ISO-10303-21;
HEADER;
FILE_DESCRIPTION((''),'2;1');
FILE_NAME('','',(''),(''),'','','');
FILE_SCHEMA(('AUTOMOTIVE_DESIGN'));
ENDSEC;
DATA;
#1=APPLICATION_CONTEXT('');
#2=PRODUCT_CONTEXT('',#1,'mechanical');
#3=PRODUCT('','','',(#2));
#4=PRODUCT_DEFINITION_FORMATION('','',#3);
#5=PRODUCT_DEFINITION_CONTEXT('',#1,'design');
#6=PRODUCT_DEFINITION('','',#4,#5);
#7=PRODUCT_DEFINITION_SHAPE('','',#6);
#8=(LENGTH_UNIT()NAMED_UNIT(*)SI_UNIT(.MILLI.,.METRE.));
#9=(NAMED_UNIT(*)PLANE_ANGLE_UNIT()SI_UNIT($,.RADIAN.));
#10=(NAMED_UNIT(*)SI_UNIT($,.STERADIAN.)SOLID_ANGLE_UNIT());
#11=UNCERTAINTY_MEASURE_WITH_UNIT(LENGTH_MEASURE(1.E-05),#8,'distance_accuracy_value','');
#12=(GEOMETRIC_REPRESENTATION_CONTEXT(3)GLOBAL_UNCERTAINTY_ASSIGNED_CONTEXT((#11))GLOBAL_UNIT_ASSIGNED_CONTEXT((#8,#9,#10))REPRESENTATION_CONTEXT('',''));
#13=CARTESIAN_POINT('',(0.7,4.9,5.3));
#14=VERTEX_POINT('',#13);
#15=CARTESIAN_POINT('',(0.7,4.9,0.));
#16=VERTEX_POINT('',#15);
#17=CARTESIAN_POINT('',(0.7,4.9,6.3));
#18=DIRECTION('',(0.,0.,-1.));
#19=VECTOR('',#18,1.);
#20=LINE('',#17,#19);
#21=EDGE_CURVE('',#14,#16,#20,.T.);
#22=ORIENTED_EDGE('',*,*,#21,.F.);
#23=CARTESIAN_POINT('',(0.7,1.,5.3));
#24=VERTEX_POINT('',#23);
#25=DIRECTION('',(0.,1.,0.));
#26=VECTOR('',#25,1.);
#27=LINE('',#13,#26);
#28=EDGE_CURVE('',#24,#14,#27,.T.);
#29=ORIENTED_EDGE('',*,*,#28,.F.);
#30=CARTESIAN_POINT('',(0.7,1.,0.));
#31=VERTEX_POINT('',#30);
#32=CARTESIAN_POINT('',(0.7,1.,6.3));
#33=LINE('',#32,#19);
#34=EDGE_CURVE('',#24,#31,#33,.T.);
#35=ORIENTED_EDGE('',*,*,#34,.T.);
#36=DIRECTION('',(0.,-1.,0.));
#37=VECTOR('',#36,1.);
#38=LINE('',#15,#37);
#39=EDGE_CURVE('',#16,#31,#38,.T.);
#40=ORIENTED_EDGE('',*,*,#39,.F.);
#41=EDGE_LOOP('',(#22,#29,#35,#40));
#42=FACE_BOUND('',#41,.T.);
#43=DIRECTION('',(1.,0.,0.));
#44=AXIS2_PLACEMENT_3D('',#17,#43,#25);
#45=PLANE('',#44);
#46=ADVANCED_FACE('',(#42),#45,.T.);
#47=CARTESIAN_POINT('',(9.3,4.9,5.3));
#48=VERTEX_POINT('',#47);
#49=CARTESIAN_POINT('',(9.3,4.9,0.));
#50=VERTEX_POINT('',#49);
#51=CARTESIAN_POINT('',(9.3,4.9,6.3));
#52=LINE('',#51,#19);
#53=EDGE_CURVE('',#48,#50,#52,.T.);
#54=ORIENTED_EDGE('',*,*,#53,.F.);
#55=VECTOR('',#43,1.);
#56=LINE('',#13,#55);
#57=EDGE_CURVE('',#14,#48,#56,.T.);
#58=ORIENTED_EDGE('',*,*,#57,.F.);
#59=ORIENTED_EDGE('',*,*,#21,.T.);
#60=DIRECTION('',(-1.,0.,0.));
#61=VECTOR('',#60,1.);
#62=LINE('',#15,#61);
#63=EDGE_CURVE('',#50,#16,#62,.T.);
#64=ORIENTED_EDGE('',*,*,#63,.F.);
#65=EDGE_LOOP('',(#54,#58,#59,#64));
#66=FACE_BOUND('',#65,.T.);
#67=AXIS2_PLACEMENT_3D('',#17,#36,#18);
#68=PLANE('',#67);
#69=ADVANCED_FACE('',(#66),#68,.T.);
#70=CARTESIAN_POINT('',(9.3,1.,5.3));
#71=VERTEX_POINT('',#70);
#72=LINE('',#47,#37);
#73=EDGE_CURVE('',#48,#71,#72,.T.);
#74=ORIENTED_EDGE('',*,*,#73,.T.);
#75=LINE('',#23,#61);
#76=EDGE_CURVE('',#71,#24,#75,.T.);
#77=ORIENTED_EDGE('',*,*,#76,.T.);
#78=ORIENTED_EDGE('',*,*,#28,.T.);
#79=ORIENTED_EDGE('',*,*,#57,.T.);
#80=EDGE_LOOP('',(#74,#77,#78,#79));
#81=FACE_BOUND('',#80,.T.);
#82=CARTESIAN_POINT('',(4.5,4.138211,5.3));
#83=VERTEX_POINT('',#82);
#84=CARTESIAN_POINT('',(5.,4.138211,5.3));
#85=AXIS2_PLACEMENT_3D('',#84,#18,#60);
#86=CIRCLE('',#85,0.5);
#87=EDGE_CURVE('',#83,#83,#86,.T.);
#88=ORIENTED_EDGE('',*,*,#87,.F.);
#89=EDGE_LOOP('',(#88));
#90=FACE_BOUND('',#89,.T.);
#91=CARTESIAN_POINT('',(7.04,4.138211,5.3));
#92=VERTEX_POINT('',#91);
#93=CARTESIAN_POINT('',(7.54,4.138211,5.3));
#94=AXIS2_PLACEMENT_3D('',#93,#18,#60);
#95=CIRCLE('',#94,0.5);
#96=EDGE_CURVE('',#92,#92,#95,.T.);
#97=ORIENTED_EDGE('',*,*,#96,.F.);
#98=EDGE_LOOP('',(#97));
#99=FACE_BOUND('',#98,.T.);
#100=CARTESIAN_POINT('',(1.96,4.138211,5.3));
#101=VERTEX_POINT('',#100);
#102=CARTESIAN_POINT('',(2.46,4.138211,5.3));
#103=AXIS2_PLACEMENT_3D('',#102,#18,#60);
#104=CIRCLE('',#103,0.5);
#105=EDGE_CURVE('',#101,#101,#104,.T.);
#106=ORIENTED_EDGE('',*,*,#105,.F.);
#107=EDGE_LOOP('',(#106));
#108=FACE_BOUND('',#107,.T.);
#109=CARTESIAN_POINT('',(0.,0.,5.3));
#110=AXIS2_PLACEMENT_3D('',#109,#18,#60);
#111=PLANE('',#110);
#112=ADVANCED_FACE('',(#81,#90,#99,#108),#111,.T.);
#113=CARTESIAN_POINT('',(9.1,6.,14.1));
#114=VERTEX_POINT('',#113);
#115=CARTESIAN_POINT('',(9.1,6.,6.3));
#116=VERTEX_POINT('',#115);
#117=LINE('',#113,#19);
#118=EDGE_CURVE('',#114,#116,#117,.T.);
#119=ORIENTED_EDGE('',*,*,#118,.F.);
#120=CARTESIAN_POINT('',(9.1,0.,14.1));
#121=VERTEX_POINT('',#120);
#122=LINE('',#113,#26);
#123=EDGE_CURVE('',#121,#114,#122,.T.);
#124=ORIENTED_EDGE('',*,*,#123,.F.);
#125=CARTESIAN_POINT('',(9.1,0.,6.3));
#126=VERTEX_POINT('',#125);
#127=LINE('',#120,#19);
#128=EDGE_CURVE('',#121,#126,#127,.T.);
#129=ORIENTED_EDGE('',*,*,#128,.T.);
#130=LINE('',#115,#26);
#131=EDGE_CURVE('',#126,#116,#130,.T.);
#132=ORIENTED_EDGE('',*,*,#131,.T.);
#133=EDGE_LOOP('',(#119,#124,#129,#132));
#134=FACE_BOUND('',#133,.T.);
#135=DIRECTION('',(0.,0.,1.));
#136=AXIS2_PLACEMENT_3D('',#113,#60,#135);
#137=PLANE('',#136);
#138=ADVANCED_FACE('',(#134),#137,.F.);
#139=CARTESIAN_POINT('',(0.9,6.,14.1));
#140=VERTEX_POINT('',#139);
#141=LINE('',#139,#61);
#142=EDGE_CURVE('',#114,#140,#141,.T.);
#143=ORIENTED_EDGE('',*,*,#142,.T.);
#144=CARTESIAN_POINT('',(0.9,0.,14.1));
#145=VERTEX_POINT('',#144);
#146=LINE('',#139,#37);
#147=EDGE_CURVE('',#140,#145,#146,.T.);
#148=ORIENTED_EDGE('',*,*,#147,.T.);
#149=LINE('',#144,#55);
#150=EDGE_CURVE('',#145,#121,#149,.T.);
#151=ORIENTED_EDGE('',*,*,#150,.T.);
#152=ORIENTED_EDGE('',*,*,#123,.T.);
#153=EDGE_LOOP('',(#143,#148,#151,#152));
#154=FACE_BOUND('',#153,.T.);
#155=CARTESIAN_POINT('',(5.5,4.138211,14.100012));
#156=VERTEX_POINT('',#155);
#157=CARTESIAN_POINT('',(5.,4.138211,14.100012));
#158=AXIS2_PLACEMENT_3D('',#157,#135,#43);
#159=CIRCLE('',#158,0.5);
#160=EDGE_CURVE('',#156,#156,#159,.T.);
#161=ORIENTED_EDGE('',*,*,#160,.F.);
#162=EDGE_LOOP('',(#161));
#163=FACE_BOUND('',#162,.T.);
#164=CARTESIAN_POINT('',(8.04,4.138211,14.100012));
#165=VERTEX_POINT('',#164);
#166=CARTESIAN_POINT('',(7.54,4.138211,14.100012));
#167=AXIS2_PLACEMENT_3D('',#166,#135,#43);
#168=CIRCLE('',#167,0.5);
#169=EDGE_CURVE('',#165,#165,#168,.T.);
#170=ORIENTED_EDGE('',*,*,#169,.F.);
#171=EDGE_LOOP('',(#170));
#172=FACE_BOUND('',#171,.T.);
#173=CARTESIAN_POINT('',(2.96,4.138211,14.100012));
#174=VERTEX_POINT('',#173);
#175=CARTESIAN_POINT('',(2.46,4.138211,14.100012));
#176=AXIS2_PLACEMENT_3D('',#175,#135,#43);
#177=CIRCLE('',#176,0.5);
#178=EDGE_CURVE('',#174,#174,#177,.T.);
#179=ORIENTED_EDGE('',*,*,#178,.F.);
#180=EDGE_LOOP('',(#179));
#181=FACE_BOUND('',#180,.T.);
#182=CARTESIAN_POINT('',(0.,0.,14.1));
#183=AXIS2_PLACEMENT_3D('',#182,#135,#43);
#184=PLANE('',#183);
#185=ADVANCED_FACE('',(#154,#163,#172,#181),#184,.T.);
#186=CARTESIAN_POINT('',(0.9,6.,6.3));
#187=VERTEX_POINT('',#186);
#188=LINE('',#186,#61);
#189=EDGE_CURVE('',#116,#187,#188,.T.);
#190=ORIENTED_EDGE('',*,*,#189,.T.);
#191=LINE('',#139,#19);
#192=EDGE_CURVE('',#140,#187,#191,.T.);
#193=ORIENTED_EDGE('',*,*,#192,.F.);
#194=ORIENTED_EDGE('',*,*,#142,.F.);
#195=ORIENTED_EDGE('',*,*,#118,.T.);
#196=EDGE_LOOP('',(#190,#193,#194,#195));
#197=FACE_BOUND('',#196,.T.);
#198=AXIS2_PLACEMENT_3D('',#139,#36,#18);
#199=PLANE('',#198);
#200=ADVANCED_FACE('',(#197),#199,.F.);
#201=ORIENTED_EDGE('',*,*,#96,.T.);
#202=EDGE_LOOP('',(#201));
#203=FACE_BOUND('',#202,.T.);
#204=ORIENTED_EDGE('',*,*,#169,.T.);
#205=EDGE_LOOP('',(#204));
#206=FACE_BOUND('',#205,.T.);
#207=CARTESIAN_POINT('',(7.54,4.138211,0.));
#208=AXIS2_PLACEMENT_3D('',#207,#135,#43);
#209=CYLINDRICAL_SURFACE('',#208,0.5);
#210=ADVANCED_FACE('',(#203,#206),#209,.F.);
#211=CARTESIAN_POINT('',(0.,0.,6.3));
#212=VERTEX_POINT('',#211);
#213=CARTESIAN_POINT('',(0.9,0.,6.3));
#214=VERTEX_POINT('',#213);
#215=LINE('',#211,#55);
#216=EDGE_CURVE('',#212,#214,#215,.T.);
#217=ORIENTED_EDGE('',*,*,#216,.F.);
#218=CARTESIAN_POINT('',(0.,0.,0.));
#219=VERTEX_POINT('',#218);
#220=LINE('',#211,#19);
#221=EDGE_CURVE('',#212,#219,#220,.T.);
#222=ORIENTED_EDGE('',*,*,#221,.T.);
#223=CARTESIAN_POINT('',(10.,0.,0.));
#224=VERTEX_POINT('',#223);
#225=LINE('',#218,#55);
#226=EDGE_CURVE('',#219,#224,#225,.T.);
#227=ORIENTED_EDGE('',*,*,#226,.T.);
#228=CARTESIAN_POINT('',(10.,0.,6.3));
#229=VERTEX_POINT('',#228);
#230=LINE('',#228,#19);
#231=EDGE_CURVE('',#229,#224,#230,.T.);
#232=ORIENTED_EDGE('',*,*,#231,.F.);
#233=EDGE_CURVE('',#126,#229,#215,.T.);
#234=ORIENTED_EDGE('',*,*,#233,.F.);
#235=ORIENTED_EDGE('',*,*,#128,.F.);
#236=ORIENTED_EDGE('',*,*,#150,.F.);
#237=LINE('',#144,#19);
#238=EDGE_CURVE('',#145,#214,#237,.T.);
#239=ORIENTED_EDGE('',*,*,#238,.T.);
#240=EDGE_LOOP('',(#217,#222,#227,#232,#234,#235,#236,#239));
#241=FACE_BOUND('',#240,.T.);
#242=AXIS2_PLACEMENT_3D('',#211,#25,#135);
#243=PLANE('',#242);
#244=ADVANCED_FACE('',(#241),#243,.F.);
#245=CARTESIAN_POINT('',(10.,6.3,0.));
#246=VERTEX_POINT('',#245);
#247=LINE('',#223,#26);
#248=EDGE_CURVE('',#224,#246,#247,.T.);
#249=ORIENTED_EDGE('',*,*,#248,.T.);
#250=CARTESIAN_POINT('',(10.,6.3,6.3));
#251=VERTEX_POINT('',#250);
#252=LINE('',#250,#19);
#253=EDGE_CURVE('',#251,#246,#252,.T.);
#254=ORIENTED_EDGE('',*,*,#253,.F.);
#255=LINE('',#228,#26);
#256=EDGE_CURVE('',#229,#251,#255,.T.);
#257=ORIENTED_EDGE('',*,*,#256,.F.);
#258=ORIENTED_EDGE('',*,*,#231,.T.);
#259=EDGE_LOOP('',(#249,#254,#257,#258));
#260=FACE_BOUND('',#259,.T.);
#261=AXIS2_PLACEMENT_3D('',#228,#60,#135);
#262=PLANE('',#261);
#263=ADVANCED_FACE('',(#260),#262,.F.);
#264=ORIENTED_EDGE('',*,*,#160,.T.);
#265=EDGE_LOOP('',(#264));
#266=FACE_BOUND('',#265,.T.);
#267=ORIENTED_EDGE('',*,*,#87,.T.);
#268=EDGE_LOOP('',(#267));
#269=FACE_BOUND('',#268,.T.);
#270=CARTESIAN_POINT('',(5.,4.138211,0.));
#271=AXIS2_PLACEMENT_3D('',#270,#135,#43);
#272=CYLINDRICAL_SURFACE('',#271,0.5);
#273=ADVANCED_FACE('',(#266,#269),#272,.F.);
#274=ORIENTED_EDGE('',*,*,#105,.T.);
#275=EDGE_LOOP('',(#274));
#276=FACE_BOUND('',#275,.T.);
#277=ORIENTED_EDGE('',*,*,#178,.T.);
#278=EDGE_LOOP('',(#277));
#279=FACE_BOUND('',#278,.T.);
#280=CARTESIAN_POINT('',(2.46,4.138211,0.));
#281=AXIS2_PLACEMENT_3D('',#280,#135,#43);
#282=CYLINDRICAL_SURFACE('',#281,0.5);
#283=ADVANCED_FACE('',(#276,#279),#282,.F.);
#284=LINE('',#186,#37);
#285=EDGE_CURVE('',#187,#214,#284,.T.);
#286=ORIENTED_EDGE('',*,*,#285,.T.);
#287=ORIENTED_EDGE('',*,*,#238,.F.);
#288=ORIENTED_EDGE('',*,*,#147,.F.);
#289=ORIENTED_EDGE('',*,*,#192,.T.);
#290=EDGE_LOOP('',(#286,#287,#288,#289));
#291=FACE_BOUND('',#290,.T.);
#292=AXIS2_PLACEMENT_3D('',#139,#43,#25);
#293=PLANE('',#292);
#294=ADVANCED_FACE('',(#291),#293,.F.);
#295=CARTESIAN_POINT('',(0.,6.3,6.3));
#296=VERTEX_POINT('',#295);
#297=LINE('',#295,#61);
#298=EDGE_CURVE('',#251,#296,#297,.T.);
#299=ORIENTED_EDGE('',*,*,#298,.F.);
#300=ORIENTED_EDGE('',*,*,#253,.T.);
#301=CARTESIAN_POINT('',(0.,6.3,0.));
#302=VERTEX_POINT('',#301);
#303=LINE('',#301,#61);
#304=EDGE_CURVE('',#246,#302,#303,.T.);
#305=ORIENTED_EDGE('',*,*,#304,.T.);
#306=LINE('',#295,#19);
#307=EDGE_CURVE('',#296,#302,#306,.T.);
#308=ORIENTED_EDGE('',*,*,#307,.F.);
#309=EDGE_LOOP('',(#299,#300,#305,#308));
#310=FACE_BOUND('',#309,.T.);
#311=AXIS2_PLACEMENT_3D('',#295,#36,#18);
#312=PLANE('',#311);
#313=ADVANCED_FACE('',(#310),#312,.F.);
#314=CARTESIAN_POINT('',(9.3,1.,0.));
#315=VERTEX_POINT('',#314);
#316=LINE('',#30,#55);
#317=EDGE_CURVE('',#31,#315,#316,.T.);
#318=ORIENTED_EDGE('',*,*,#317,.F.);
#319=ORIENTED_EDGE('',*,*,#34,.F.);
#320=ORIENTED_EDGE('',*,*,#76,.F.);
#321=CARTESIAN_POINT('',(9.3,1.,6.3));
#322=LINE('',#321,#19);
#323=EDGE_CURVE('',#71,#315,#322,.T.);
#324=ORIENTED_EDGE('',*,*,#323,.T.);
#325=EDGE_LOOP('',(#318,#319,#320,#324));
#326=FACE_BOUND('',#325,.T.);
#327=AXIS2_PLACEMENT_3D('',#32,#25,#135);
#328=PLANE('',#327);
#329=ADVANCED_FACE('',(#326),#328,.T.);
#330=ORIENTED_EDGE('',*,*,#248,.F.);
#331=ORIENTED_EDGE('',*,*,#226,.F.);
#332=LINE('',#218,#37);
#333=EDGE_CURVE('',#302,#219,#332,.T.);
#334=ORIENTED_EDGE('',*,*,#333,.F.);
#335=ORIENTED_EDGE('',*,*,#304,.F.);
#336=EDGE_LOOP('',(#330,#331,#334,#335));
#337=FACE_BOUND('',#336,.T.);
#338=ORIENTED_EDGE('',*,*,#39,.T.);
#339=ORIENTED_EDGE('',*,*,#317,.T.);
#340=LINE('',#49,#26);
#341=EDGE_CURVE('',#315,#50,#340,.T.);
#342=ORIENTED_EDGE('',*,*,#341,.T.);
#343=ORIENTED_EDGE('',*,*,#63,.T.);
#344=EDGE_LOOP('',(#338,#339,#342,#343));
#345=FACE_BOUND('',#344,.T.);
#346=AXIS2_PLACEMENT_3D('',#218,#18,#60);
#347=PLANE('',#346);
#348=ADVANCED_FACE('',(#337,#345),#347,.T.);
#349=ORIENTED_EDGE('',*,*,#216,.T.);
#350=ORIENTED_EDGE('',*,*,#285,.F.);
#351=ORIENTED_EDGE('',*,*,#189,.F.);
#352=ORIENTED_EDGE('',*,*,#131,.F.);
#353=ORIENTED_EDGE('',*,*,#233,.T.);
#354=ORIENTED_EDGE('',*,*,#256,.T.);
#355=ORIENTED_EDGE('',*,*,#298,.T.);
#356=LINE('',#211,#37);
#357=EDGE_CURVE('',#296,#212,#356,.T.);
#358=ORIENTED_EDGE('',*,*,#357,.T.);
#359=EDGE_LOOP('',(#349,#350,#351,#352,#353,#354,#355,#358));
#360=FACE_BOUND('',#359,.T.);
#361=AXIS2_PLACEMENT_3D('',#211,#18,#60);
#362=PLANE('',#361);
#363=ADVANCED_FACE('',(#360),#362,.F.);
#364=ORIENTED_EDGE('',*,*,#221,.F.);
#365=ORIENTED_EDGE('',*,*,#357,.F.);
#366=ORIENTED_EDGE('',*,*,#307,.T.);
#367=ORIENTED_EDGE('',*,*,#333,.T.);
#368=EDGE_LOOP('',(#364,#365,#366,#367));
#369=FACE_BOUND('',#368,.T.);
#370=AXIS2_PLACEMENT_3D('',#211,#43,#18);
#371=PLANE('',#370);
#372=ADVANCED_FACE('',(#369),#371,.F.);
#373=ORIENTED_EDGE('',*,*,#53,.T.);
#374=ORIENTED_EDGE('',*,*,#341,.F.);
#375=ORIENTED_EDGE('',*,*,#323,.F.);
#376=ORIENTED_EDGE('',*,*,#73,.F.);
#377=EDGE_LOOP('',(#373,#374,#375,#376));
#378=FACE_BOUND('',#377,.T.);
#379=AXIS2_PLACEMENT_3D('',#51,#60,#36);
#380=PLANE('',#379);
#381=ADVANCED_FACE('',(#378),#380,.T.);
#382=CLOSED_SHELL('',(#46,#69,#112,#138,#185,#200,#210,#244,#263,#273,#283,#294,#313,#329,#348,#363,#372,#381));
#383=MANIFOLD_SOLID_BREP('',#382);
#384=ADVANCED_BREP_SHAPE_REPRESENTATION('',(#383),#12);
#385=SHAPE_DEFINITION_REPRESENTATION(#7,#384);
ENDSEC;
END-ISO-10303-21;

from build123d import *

# Parameters (mm, degrees)
SKETCH_1_W               = 10
SKETCH_1_H               = 6.3
SKETCH_1_W_2             = 8.6
SKETCH_1_H_2             = 3.9
EXTRUDE_1_DEPTH          = 6.3
SKETCH_2_W               = 8.2
SKETCH_2_H               = 6
EXTRUDE_2_DEPTH          = 7.8
SKETCH_3_W               = 10
SKETCH_3_H               = 6.3
EXTRUDE_3_DEPTH          = 1
CUT_EXTRUDE_1_DEPTH      = 19.398369493
CUT_EXTRUDE_1_DEPTH_BACK = 19.398369493
SKETCH_4_R               = 0.5


with BuildPart() as part:
    # 草图1 → 凸台-拉伸1 (new body)
    with BuildSketch(Plane.XY):
        with Locations((5, 3.15)):
            Rectangle(SKETCH_1_W, SKETCH_1_H)
        with Locations((5, 2.95)):
            Rectangle(SKETCH_1_W_2, SKETCH_1_H_2, mode=Mode.SUBTRACT)
    extrude(amount=EXTRUDE_1_DEPTH)

    # 草图2 → 凸台-拉伸2 (add)
    with BuildSketch(Plane.XY.offset(6.3)):
        with Locations((5, 3)):
            Rectangle(SKETCH_2_W, SKETCH_2_H)
    extrude(amount=EXTRUDE_2_DEPTH)

    # 草图3 → 凸台-拉伸3 (add)
    with BuildSketch(Plane(origin=(0, 0, 6.3), x_dir=(-1, 0, 0), z_dir=(0, 0, -1))):
        with Locations((-5, 3.15)):
            Rectangle(SKETCH_3_W, SKETCH_3_H)
    extrude(amount=EXTRUDE_3_DEPTH)

    # 草图4 → 切除-拉伸1 (cut, two sides: drawn at the far end of the back side and taken through both)
    with BuildSketch(Plane.XY.offset(14.1).offset(-CUT_EXTRUDE_1_DEPTH_BACK)):
        with Locations((2.46, 4.138210579)):
            Circle(SKETCH_4_R)
        with Locations((5, 4.138210579)):
            Circle(SKETCH_4_R)
        with Locations((7.54, 4.138210579)):
            Circle(SKETCH_4_R)
    extrude(amount=CUT_EXTRUDE_1_DEPTH + CUT_EXTRUDE_1_DEPTH_BACK, mode=Mode.SUBTRACT)


solid = part.part
